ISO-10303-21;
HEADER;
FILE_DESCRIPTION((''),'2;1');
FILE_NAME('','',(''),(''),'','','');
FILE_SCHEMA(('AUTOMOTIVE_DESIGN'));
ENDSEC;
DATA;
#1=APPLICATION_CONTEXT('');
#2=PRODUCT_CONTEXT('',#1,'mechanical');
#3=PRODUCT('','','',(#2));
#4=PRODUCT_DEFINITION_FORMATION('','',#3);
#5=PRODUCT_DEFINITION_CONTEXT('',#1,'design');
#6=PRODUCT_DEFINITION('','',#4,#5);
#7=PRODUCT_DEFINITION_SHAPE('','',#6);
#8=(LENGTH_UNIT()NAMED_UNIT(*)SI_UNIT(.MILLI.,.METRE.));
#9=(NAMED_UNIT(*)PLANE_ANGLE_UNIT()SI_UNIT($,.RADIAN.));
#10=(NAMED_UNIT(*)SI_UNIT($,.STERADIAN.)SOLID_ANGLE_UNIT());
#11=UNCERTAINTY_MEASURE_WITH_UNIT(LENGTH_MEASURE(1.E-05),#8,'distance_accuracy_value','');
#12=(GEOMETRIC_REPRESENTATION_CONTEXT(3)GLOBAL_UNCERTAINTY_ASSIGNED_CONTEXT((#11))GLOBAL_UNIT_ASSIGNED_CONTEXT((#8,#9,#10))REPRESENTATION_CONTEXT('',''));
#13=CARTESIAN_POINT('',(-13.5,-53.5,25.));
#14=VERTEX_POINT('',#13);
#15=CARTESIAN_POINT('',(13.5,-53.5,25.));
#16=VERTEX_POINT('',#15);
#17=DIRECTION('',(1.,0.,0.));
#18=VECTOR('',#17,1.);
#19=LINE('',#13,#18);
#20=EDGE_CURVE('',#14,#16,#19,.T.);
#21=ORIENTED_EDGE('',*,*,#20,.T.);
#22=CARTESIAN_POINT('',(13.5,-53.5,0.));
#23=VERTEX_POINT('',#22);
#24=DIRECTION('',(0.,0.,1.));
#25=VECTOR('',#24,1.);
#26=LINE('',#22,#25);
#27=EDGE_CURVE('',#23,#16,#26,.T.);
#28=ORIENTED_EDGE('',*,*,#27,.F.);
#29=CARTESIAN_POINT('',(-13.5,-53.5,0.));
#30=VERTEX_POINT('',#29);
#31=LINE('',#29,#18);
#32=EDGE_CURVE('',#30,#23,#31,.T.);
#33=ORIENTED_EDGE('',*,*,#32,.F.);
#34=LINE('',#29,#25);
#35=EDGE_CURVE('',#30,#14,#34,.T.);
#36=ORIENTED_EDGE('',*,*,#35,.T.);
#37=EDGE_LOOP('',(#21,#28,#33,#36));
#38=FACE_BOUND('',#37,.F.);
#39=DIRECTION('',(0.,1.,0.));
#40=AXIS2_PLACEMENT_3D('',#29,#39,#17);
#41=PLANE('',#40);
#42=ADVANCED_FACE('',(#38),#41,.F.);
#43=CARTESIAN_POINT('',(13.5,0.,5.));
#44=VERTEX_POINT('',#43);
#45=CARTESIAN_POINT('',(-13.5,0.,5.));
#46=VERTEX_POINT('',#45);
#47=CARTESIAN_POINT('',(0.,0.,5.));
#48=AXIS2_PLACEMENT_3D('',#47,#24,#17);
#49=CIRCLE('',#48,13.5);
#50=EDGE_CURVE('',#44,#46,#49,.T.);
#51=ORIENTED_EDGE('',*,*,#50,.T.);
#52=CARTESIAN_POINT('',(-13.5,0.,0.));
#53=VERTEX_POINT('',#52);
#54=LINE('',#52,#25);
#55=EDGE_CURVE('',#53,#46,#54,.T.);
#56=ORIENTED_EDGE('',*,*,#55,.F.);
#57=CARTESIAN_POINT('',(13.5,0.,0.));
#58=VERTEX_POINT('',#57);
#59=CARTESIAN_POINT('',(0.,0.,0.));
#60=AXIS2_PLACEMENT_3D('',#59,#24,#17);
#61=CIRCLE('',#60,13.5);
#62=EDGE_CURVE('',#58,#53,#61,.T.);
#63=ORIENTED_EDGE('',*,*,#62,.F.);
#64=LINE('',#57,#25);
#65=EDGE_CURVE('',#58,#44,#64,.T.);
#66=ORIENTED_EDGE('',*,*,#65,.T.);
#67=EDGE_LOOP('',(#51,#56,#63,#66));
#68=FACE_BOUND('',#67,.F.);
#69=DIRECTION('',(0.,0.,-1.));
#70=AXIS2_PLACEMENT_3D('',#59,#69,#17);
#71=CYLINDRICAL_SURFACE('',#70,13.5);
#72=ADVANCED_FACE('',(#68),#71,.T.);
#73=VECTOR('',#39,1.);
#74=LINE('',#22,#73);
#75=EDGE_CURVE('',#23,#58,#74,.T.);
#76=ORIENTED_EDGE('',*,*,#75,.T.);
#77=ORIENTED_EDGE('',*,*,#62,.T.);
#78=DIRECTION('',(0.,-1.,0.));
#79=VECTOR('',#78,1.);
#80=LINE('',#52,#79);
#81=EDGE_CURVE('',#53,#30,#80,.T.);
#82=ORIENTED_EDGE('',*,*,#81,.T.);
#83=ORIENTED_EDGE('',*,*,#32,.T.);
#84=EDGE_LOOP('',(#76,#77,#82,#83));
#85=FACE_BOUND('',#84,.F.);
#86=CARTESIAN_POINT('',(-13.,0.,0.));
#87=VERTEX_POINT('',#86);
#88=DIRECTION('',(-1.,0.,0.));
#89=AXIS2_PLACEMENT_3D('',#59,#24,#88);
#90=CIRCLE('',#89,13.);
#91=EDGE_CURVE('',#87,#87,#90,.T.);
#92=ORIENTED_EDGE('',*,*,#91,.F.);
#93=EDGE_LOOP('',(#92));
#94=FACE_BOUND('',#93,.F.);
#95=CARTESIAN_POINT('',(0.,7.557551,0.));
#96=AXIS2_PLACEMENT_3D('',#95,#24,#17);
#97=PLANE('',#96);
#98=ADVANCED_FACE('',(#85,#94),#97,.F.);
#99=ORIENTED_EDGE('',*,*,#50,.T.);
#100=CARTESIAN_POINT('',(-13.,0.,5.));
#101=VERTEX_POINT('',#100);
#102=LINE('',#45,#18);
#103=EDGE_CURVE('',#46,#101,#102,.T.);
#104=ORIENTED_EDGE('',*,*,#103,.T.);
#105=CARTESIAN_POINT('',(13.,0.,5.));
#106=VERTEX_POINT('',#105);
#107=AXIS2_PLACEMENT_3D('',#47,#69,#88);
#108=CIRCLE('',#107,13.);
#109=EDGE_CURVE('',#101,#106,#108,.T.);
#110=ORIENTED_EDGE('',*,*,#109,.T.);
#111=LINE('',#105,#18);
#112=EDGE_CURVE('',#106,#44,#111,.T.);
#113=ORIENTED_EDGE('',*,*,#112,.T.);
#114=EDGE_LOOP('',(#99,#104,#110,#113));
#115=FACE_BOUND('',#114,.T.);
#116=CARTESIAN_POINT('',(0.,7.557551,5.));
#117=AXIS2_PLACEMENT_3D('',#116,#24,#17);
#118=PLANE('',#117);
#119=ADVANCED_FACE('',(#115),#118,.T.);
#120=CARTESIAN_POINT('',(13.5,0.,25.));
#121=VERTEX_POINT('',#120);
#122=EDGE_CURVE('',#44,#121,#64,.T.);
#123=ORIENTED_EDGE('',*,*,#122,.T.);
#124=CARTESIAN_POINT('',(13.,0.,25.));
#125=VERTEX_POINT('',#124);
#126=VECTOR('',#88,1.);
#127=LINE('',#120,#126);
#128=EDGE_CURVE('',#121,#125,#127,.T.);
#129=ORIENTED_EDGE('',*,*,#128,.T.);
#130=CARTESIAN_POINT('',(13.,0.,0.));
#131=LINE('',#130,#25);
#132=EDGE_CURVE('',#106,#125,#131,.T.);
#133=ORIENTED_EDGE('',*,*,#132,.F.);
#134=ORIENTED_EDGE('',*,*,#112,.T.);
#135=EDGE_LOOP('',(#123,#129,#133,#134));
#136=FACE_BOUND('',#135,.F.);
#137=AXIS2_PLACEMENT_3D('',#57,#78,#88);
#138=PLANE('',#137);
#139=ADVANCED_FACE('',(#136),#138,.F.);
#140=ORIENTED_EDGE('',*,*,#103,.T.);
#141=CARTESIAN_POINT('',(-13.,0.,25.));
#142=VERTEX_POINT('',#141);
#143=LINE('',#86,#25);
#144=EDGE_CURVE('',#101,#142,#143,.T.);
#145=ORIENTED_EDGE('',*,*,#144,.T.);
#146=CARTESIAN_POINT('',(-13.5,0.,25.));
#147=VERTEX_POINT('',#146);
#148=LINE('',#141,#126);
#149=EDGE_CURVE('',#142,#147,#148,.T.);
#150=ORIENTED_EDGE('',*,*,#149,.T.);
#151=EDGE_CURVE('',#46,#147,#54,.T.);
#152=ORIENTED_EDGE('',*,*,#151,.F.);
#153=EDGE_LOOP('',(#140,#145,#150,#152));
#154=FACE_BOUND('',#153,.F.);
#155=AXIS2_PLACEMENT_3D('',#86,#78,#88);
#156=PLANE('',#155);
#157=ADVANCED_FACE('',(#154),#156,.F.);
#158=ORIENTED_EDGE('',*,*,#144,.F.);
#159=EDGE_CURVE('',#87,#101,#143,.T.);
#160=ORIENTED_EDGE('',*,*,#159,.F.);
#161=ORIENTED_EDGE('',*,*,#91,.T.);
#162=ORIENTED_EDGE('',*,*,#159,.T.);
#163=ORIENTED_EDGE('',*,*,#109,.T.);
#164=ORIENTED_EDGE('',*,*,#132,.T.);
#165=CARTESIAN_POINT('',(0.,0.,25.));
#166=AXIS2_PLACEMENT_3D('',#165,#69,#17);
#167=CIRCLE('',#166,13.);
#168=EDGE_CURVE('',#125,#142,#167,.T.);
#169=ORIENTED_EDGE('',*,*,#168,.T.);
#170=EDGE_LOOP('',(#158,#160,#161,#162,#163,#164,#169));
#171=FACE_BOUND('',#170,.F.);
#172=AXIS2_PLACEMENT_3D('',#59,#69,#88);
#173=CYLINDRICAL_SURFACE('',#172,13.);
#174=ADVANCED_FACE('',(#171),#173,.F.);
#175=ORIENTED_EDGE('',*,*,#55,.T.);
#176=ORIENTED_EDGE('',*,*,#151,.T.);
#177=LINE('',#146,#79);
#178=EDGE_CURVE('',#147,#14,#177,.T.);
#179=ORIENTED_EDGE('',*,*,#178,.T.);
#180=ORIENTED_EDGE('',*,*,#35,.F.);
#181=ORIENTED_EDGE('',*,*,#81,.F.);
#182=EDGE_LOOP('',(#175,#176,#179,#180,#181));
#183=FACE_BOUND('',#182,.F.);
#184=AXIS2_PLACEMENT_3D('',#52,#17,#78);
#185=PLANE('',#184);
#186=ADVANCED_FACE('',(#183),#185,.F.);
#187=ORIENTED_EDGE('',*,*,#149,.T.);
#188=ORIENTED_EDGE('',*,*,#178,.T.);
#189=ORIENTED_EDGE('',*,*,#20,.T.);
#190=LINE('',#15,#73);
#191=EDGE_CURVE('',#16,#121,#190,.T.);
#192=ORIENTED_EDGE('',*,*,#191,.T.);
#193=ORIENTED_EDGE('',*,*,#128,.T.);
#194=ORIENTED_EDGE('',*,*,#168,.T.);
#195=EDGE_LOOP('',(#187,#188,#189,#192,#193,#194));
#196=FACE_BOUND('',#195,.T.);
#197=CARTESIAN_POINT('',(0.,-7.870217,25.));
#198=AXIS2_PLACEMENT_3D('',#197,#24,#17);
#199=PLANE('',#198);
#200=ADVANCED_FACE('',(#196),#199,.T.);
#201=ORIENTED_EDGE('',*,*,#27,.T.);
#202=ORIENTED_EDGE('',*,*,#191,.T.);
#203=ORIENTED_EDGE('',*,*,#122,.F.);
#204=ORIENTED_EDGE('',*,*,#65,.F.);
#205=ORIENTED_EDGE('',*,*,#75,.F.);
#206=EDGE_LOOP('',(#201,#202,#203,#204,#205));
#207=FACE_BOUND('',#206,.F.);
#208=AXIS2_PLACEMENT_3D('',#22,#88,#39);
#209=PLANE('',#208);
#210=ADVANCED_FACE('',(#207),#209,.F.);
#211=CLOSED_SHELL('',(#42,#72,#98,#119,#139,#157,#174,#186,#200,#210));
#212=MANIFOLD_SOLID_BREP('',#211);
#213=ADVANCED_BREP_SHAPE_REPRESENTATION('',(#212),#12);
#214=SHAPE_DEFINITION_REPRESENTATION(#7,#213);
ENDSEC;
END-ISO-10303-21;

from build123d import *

# Parameters (mm, degrees)
F1_DEPTH = 25
F2_DEPTH = 5


with BuildPart() as f1:
    # F0 (on Top) → F1 (new body)
    with BuildSketch(Plane.XY):
        with BuildLine():
            ThreePointArc((0, -13.5), (9.545942, -9.545942), (13.5, 0))
            Line((13.5, 0), (13, 0))
            ThreePointArc((13, 0), (0, -13), (-13, 0))
            Line((-13, 0), (-13.5, 0))
            ThreePointArc((-13.5, 0), (-9.545942, -9.545942), (0, -13.5))
        make_face()
        with BuildLine():
            Line((13.5, -53.5), (13.5, 0))
            ThreePointArc((13.5, 0), (9.545942, -9.545942), (0, -13.5))
            Line((0, -13.5), (0, -53.5))
            Line((0, -53.5), (13.5, -53.5))
        make_face()
        with BuildLine():
            ThreePointArc((0, -13.5), (-9.545942, -9.545942), (-13.5, 0))
            Line((-13.5, 0), (-13.5, -53.5))
            Line((-13.5, -53.5), (0, -53.5))
            Line((0, -53.5), (0, -13.5))
        make_face()
    extrude(amount=F1_DEPTH)

    # F0 (on Top) → F2 (join)
    with BuildSketch(Plane.XY):
        with BuildLine():
            Line((13, 0), (13.5, 0))
            ThreePointArc((13.5, 0), (0, 13.5), (-13.5, 0))
            Line((-13.5, 0), (-13, 0))
            ThreePointArc((-13, 0), (0, 13), (13, 0))
        make_face()
    extrude(amount=F2_DEPTH)


solid = f1.part
